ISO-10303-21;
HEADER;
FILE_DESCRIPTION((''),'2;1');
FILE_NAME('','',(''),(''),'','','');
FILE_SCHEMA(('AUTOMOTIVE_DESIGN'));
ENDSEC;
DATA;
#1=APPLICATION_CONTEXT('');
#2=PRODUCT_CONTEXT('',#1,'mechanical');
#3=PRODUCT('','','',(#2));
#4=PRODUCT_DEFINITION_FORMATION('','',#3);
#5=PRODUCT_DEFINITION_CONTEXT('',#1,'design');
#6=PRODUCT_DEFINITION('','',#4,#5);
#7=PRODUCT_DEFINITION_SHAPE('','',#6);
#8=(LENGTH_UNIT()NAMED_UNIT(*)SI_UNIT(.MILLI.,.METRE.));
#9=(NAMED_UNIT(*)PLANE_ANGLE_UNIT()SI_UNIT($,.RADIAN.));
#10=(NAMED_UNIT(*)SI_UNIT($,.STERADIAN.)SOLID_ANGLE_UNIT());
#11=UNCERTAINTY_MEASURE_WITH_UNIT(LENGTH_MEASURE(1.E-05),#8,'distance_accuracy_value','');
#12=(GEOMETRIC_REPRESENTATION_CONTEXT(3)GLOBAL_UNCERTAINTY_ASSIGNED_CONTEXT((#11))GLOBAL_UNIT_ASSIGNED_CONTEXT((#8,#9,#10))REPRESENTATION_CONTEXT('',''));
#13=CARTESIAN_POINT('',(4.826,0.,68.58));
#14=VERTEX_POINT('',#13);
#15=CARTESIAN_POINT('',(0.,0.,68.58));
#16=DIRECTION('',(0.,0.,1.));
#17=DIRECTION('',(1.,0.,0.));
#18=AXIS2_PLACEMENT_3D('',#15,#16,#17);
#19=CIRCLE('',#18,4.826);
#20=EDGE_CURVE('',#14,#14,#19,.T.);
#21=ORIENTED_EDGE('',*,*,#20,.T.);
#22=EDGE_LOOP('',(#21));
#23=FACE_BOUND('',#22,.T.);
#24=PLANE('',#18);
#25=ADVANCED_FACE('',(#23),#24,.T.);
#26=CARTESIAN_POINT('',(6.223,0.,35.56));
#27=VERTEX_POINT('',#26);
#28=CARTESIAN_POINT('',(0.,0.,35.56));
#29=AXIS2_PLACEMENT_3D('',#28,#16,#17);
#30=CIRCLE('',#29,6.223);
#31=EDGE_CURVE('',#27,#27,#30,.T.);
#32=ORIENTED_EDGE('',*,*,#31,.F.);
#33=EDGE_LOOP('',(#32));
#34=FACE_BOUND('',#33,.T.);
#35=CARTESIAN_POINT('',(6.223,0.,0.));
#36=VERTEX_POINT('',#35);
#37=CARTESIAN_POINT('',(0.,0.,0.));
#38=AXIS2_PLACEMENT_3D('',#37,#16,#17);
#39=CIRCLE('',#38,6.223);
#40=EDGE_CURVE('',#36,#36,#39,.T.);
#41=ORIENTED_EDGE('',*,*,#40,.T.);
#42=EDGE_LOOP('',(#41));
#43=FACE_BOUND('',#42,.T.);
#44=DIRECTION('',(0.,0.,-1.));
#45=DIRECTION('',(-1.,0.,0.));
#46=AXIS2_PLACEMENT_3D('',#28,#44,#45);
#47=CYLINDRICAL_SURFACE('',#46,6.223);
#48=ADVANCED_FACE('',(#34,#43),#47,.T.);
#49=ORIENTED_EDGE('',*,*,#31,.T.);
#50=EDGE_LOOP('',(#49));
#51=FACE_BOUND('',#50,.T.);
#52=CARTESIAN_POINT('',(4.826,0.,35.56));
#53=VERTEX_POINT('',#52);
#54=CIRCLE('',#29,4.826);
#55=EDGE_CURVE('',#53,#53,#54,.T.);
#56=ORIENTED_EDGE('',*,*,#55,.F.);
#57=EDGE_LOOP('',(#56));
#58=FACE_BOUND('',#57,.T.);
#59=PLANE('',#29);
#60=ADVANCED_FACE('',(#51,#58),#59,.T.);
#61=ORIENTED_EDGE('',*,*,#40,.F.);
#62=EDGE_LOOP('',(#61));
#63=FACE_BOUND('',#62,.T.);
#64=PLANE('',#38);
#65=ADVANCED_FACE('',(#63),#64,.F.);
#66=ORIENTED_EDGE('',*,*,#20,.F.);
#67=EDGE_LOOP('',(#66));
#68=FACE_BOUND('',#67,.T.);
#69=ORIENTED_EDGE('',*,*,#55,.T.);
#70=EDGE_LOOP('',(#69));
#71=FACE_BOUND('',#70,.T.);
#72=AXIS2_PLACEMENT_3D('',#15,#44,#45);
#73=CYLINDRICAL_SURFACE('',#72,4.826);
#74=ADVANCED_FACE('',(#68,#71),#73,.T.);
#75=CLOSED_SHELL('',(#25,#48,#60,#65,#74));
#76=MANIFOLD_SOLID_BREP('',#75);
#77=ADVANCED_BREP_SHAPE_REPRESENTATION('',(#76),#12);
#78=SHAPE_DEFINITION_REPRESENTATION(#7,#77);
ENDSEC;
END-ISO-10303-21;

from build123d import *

# Parameters (mm, degrees)
SKETCH1_R           = 6.223
BOSS_EXTRUDE1_DEPTH = 35.56
SKETCH2_R           = 4.826
BOSS_EXTRUDE2_DEPTH = 33.02


with BuildPart() as part:
    # Sketch1 → Boss-Extrude1 (new body)
    with BuildSketch(Plane.XY):
        Circle(SKETCH1_R)
    extrude(amount=BOSS_EXTRUDE1_DEPTH)

    # Sketch2 → Boss-Extrude2 (add)
    with BuildSketch(Plane.XY.offset(35.56)):
        Circle(SKETCH2_R)
    extrude(amount=BOSS_EXTRUDE2_DEPTH)


solid = part.part
